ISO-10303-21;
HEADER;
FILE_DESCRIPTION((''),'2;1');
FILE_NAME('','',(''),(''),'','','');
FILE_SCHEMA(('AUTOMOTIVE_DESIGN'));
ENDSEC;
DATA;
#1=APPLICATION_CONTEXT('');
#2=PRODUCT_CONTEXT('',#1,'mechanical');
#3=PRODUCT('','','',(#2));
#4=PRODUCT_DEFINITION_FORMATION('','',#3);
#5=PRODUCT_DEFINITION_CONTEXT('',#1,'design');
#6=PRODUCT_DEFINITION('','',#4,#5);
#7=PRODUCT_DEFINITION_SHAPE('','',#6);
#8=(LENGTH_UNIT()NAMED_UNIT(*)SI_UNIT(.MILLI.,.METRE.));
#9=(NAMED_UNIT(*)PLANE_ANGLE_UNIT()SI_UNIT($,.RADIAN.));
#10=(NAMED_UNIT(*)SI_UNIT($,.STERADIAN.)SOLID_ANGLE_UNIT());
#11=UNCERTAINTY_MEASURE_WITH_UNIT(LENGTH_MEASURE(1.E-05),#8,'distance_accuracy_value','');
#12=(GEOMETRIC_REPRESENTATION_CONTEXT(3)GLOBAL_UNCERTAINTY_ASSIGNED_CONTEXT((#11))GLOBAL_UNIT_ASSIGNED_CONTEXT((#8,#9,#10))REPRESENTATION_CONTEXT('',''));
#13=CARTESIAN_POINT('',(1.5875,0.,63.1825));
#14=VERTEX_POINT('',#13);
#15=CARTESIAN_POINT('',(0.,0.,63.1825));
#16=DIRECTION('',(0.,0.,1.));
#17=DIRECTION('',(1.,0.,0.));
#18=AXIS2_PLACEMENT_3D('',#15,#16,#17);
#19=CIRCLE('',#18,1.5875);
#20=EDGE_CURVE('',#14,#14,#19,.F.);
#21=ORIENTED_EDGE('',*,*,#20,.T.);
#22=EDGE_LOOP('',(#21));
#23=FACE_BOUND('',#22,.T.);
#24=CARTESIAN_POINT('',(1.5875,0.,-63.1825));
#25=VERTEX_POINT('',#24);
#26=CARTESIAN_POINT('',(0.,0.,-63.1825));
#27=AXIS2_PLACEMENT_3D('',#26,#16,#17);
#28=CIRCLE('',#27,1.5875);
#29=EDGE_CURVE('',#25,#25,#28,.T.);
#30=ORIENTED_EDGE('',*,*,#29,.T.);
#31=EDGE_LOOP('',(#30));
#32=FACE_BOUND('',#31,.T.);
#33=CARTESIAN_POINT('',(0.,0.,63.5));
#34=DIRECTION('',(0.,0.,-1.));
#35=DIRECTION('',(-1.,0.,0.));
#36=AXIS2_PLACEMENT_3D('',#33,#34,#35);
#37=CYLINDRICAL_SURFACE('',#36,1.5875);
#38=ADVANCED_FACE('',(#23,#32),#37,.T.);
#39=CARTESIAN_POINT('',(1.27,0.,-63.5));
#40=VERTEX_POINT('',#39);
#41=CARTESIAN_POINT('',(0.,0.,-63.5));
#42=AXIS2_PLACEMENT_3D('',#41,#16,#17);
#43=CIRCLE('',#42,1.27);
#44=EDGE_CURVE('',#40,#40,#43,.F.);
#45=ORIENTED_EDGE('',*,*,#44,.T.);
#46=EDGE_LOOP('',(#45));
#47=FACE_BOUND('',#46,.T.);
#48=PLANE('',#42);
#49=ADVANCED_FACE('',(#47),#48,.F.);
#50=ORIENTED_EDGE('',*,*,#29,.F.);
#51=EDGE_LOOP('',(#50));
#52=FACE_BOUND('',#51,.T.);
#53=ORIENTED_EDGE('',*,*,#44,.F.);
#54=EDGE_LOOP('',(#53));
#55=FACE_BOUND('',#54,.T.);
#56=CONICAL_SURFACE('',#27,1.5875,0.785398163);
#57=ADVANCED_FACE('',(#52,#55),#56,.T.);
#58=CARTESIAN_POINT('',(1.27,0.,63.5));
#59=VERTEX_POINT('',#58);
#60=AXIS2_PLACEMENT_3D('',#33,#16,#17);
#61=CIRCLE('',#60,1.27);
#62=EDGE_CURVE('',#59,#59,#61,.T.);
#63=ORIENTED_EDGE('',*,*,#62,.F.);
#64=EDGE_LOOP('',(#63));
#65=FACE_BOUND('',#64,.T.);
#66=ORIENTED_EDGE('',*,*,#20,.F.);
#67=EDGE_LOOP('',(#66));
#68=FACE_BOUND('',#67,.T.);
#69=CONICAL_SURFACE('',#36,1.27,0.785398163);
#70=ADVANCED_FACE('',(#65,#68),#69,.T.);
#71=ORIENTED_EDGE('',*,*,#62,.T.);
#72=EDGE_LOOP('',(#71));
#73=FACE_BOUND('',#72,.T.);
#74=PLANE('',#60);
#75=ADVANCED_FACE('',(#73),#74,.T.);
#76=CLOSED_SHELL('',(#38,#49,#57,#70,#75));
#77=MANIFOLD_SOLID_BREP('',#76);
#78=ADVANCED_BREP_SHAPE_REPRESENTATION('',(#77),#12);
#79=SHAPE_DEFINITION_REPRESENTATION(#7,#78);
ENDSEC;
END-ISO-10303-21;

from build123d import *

# Parameters (mm, degrees)
SKETCH3_R           = 1.5875
BOSS_EXTRUDE1_DEPTH = 63.5
CHAMFER1_SIZE       = 0.3175


with BuildPart() as part:
    # Sketch3 → Boss-Extrude1 (new, symmetric)
    with BuildSketch(Plane.XY):
        Circle(SKETCH3_R)
    extrude(amount=BOSS_EXTRUDE1_DEPTH, both=True)

    # Chamfer1
    chamfer1_edges = [part.edges().sort_by_distance(p)[0] for p in [
        (-1.5875, 0, -63.5),
        (-1.5875, 0, 63.5),
    ]]
    chamfer(chamfer1_edges, length=CHAMFER1_SIZE)


solid = part.part
